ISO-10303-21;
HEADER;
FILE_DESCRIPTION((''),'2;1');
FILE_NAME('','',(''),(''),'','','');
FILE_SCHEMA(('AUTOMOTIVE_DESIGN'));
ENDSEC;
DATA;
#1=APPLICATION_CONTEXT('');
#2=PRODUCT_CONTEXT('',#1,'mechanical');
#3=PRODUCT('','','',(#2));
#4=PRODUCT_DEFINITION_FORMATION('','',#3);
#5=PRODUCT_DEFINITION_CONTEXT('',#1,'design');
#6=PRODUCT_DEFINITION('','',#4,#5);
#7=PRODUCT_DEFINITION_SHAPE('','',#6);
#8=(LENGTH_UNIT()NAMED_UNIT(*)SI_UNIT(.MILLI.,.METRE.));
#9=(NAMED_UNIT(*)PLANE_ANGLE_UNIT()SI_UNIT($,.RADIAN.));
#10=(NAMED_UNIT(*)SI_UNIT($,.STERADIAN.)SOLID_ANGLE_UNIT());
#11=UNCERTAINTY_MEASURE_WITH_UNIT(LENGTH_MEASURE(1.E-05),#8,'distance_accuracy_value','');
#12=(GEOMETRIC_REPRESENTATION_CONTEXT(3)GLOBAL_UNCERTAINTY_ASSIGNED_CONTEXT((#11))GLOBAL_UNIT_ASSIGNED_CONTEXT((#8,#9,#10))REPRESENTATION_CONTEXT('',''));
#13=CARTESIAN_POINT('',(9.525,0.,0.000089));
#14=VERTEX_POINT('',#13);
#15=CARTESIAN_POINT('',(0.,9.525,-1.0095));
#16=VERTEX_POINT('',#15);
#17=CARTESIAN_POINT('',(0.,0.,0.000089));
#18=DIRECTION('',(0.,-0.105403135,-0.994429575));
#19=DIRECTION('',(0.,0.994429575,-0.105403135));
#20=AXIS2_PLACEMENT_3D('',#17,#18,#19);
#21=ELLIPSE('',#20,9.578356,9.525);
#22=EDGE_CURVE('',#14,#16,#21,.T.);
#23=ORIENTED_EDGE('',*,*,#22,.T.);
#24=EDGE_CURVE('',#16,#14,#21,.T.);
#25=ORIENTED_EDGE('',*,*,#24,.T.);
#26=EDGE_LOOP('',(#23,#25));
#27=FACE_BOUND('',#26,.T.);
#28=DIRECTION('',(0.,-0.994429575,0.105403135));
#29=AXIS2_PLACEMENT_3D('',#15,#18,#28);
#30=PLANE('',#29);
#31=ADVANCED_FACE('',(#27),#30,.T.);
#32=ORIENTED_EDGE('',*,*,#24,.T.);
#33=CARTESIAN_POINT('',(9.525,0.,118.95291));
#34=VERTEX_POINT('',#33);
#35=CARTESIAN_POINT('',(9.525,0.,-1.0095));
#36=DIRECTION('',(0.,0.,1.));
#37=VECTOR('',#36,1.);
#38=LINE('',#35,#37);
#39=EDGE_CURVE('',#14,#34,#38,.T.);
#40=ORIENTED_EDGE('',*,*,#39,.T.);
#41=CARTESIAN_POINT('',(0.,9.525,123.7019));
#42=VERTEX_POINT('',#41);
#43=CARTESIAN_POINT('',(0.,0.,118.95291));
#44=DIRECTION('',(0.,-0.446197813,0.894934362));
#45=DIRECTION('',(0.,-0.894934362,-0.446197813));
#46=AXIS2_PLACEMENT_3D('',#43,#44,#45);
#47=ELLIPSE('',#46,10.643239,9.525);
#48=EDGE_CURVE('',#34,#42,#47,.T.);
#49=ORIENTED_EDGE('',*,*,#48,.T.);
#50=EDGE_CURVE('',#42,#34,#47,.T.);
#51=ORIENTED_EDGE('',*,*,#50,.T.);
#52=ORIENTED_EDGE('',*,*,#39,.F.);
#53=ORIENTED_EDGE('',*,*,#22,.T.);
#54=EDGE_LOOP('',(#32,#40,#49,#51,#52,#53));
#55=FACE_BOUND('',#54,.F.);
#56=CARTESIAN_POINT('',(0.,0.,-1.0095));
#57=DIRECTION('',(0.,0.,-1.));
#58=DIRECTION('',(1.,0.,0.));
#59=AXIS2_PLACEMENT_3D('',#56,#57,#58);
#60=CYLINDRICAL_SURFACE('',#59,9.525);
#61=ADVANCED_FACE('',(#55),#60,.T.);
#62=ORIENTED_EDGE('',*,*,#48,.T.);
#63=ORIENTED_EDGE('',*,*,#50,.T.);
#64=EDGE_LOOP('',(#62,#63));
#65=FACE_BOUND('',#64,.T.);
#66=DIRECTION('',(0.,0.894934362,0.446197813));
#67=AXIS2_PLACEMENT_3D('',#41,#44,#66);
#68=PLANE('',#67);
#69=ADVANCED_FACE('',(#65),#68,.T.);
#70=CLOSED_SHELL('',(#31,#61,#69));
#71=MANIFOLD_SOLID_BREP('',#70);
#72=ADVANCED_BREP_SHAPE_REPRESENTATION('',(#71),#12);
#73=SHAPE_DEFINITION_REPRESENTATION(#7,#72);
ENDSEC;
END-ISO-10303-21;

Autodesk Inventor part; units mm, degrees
ref_plane "Start Plane" through (0, 0, -1.0095) normal (0, 0, 1) x (1, 0, 0)
ref_plane "End Plane" through (0, 0, 123.7019) normal (0, 0, 1) x (1, 0, 0)
sketch "Sketch" plane through (0, 0, 0) normal (0, 0, 1) x (1, 0, 0)
  circle A0 centre (0, 0) radius 9.525
  dimension "d0" = 19.05
extrude "Body" add sketch "Sketch" along normal up to surface (124.7114 mm away) from surface at -1.0095
sketch "Sketch2" plane through (0, 0, 0) normal (0, 0, 1) x (1, 0, 0)
  line L0 (0, 0) -> (10, 0)
ref_plane "Work Plane3" through (0, 0, 0) normal (0, -1, 0) x (1, 0, 0)
ref_plane "Work Plane4" through (0, 9.525, 123.7019) normal (0, -0.4462, 0.8949) x (1, 0, 0)
split "Split1" plane through (0, 9.525, 123.7019) removes the side toward (0, -0.4462, 0.8949)
ref_plane "Work Plane5" through (0, 9.525, -1.0095) normal (0, -0.1054, -0.9944) x (1, 0, 0)
split "Split2" plane through (0, 9.525, -1.0095) removes the side toward (0, -0.1054, -0.9944)
sketch "Sketch3" plane through (0, 0, 0) normal (0, -1, 0) x (1, 0, 0)
  line L0 (-2, -1.0095) -> (12, -1.0095) projected
  line L1 (-2, 123.7019) -> (12, 123.7019) projected
  dimension "d7" = 124.7114
equation "\"d0\" = Diam"
equation "\"d1\" = G_L"
equation "\"Diam\" = 19.05"
equation "\"G_L\" = d7"
equation "\"G_OFFSET_START\" = 1.00953"
equation "\"G_OFFSET_END\" = 4.74899"
equation "\"d4\" = -G_OFFSET_START"
equation "\"d5\" = G_OFFSET_END + B_L"
equation "\"B_L\" = 118.95289"
properties part number "ANSI/AISC Rolled Steel - 3/4-4.91, RB" material "Steel, Mild"
